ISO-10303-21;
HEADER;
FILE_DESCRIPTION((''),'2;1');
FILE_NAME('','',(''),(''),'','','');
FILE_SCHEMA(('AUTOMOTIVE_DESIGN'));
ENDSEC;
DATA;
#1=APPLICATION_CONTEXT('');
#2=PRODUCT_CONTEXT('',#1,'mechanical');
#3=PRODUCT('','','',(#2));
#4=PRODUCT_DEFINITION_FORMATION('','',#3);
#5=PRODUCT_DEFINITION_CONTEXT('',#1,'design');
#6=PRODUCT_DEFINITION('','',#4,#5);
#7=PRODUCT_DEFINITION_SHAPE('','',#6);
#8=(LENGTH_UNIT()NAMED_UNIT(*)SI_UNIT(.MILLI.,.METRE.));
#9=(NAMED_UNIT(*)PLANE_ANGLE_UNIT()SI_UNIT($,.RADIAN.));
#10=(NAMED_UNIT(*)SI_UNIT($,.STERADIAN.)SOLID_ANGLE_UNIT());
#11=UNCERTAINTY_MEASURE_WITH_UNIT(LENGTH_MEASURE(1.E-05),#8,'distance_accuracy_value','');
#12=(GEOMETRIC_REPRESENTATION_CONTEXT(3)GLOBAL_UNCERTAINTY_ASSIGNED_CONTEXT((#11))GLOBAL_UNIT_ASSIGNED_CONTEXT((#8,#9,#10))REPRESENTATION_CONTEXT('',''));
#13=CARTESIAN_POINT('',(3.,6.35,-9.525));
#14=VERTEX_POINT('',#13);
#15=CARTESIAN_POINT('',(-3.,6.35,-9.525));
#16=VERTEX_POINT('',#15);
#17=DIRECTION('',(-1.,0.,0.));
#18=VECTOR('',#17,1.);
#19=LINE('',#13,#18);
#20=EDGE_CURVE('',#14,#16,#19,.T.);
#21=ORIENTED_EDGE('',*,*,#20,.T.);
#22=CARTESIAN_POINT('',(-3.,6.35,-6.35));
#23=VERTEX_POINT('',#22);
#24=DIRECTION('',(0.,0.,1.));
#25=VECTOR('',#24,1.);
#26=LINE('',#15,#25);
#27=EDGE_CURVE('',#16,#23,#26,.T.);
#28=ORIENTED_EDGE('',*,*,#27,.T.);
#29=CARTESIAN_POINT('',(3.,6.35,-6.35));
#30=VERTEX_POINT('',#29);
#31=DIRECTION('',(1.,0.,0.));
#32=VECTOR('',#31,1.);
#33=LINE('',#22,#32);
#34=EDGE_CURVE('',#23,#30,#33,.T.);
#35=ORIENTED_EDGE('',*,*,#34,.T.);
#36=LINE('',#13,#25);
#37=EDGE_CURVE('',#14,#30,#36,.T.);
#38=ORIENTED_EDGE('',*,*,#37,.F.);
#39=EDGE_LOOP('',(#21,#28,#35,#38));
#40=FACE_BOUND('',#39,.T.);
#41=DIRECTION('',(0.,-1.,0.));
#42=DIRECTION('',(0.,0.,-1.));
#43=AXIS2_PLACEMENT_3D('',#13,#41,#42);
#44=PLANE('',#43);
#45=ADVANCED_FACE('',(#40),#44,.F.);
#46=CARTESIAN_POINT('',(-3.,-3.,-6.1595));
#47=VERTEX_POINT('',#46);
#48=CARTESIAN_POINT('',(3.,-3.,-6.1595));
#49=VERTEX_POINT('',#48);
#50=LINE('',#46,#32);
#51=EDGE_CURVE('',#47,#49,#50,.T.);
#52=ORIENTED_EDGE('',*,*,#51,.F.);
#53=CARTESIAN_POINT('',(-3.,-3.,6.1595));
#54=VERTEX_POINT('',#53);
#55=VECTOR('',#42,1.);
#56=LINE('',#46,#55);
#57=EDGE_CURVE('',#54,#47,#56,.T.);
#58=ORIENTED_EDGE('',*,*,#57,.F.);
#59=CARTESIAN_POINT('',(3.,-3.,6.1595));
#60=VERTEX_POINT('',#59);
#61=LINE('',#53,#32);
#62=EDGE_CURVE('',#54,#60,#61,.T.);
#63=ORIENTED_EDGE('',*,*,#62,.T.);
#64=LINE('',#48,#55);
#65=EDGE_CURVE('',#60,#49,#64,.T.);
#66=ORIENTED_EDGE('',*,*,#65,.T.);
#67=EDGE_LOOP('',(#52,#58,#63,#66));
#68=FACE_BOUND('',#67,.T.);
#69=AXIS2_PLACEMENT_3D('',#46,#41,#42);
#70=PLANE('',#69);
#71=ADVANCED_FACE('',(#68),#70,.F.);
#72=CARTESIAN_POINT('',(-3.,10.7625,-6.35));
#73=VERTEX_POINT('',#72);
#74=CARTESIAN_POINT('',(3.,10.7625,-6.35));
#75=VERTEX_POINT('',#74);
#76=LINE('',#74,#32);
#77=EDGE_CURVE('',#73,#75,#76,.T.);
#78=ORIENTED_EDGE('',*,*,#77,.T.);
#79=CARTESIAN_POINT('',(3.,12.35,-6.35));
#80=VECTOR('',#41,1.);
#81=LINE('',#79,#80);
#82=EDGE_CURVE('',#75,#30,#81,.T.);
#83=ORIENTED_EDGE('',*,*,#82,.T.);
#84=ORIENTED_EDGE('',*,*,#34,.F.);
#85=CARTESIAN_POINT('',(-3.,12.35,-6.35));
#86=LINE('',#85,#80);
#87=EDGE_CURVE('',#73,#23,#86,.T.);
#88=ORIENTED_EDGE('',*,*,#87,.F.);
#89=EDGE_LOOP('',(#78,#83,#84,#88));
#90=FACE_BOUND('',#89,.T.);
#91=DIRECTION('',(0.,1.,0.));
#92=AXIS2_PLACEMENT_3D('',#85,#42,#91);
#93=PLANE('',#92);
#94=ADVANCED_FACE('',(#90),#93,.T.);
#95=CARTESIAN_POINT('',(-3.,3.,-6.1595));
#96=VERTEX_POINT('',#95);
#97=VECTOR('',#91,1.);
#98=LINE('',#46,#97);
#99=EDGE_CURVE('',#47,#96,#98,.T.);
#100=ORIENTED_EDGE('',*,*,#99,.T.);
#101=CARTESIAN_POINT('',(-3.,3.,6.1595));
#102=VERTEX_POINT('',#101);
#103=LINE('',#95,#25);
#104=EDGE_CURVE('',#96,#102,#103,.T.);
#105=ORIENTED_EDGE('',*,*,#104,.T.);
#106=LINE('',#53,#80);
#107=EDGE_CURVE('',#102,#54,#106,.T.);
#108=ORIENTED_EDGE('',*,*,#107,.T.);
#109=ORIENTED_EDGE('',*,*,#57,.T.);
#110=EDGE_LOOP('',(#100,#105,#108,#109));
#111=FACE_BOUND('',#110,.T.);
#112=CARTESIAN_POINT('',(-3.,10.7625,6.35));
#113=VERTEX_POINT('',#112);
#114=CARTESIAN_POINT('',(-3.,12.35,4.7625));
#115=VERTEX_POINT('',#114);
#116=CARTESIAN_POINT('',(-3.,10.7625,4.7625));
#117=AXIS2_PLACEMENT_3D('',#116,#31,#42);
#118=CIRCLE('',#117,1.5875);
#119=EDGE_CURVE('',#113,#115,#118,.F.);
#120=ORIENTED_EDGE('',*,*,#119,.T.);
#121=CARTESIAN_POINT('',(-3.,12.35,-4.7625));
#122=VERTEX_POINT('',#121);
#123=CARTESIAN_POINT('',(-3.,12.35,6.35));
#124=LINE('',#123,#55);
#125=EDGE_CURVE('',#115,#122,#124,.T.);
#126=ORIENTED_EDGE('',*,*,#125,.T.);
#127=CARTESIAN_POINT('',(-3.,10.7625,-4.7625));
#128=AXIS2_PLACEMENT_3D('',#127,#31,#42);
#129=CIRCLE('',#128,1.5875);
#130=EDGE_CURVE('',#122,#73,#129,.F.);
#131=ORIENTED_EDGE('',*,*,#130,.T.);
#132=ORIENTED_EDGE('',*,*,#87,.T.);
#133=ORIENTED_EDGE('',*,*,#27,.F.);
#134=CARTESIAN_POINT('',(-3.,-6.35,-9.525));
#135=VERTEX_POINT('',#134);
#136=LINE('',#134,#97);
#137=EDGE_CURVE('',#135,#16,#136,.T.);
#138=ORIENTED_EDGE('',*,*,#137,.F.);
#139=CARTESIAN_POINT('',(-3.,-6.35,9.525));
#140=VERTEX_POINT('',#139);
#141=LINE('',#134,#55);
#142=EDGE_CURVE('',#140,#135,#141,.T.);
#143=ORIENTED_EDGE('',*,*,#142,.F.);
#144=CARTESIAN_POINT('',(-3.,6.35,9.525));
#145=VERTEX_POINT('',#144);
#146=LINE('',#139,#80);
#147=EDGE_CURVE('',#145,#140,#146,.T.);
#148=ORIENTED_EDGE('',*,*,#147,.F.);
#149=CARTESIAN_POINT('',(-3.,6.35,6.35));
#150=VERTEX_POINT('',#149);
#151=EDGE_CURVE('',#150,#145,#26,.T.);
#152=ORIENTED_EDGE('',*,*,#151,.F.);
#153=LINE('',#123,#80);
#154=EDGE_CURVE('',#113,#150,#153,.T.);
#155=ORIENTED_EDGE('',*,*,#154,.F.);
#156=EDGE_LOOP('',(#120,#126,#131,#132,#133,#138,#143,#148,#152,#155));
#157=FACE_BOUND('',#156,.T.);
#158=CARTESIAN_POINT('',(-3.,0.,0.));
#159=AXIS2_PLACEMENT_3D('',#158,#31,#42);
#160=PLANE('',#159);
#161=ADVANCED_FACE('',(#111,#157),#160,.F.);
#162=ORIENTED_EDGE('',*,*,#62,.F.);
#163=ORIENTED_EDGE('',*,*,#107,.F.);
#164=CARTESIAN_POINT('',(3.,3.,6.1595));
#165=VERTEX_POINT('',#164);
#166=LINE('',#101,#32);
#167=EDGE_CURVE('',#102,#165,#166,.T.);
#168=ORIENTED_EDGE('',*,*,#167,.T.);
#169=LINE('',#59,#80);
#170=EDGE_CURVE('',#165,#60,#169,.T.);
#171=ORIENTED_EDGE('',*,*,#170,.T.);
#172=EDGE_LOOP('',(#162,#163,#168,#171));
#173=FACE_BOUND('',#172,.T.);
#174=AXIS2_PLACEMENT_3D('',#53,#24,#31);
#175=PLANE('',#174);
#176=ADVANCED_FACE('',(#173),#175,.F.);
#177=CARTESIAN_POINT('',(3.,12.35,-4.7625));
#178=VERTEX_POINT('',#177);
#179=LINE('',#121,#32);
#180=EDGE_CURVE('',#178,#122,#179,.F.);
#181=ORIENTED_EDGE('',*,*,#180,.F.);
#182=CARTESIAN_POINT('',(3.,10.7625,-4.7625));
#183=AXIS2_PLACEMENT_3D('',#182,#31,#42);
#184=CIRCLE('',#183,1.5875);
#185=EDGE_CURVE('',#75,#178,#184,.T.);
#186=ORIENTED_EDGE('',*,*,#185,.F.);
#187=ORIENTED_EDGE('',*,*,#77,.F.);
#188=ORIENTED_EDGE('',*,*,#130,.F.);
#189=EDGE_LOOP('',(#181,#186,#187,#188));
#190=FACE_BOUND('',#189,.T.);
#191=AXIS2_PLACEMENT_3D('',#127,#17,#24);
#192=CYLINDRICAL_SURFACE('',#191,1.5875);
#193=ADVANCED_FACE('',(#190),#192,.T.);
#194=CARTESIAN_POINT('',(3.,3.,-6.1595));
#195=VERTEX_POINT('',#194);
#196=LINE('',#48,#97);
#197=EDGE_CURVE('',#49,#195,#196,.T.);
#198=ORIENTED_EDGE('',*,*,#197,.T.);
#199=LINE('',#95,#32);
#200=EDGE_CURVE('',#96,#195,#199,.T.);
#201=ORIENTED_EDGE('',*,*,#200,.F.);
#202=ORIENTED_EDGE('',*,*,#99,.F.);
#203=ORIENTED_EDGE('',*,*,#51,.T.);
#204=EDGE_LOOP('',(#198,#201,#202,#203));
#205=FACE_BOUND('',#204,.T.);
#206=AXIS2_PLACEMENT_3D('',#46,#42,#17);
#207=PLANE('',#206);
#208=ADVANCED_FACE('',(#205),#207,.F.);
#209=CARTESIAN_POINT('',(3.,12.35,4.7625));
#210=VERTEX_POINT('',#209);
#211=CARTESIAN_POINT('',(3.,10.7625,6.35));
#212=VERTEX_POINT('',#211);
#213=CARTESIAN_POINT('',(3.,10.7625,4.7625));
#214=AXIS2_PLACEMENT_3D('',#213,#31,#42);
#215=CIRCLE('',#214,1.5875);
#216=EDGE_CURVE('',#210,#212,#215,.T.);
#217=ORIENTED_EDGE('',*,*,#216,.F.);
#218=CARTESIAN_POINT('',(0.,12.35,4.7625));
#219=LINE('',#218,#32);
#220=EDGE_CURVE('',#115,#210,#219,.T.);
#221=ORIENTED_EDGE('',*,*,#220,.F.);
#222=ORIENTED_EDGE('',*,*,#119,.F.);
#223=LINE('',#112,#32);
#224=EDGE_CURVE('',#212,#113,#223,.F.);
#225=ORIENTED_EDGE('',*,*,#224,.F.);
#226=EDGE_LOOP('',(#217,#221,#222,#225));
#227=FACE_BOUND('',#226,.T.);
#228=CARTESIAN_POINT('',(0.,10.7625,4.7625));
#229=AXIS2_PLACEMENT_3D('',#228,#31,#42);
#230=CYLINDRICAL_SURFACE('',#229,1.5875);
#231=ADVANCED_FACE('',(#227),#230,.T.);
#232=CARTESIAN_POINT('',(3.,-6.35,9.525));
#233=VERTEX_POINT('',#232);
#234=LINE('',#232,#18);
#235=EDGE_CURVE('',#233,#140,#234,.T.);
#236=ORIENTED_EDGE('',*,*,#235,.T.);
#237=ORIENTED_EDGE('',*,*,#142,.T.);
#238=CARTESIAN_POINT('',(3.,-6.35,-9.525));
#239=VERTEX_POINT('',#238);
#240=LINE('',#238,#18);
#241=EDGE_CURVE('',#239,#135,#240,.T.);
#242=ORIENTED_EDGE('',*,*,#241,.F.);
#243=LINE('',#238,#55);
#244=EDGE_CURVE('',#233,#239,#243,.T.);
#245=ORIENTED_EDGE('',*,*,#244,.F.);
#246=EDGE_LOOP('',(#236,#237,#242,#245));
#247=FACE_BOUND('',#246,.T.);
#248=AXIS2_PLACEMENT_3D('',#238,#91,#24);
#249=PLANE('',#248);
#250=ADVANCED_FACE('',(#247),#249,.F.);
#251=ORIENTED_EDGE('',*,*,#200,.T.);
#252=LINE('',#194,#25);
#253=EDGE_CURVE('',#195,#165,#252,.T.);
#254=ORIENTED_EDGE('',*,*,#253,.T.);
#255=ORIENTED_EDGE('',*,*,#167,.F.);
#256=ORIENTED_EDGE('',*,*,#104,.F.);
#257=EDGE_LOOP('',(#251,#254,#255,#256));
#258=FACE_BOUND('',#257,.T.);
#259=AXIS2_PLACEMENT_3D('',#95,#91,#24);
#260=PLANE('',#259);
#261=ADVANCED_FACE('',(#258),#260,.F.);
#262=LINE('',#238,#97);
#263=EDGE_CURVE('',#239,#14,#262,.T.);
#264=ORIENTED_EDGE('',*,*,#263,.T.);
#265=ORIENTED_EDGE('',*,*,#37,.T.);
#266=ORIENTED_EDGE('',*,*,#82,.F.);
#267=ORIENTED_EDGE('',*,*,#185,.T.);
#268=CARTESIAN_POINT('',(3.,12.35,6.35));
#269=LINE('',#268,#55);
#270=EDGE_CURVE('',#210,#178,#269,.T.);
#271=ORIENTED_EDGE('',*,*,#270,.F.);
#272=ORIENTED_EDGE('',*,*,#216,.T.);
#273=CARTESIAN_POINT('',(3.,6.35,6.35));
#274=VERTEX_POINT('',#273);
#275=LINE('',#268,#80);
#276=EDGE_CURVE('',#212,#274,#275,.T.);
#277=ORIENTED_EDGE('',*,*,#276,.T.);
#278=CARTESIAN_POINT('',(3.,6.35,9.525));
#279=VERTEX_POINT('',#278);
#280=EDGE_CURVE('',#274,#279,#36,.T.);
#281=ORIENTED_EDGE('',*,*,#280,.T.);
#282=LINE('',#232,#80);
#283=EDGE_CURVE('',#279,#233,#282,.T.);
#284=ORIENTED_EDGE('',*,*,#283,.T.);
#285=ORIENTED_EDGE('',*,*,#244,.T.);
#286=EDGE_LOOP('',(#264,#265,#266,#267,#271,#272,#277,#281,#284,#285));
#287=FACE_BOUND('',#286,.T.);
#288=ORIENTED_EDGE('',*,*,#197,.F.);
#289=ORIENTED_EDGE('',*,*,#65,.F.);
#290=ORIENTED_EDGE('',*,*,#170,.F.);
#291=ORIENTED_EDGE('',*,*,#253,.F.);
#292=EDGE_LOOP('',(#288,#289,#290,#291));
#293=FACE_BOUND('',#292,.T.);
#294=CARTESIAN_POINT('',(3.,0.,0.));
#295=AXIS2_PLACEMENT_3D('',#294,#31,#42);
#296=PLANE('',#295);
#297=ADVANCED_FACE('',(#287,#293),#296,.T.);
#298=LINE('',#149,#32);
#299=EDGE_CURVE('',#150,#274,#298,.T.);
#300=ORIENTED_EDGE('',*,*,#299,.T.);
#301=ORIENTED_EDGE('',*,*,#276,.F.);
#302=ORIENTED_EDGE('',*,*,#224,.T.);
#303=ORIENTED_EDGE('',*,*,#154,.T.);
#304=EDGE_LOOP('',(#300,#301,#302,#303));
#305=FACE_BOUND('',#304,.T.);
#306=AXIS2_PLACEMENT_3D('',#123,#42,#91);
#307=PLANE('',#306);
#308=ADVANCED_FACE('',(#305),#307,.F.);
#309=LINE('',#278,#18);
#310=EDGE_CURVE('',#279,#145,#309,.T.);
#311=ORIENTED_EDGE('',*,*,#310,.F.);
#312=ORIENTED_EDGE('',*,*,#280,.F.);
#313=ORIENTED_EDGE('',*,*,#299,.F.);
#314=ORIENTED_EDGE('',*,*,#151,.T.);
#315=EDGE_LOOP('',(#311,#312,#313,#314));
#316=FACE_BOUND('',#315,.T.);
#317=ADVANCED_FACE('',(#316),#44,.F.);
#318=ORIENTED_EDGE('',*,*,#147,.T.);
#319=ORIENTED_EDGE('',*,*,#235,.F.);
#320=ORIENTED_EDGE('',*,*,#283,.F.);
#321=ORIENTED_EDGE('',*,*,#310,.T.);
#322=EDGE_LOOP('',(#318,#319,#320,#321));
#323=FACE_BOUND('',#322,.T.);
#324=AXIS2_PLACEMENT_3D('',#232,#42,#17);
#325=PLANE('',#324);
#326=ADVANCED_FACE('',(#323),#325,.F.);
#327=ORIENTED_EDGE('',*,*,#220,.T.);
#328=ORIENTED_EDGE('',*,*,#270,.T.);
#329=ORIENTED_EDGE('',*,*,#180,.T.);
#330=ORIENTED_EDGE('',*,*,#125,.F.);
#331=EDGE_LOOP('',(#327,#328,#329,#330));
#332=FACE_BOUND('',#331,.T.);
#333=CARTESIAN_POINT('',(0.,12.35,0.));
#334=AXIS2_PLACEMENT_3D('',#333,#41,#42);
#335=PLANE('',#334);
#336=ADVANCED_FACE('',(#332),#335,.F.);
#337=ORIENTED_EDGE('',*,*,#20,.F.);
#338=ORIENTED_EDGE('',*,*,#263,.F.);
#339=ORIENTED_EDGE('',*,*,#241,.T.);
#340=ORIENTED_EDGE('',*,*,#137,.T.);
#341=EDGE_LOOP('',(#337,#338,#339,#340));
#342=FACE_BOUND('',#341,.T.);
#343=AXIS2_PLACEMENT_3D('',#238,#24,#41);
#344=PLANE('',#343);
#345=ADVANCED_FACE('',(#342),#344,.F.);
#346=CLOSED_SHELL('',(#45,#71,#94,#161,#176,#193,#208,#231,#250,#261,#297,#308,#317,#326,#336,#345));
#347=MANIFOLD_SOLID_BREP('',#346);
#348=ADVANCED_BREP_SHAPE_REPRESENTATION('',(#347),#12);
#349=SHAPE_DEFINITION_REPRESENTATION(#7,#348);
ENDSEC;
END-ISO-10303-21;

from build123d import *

# Parameters (mm, degrees)
SKETCH1_W           = 19.05
SKETCH1_H           = 12.7
BOSS_EXTRUDE1_DEPTH = 3
SKETCH2_W           = 6
SKETCH2_H           = 12.7
BOSS_EXTRUDE2_DEPTH = 6
SKETCH3_W           = 12.319
SKETCH3_H           = 5.999999938
CUT_EXTRUDE1_DEPTH  = 17.710718865
FILLET1_R           = 1.5875


with BuildPart() as part:
    # Sketch1 → Boss-Extrude1 (new, symmetric)
    with BuildSketch(Plane(origin=(0, 0, 0), x_dir=(0, 0, -1), z_dir=(1, 0, 0))):
        Rectangle(SKETCH1_W, SKETCH1_H)
    extrude(amount=BOSS_EXTRUDE1_DEPTH, both=True)

    # Sketch2 → Boss-Extrude2 (add)
    with BuildSketch(Plane(origin=(0, 6.35, 0), x_dir=(1, 0, 0), z_dir=(0, 1, 0))):
        Rectangle(SKETCH2_W, SKETCH2_H)
    extrude(amount=BOSS_EXTRUDE2_DEPTH)

    # Sketch3 → Cut-Extrude1 (cut, through all)
    with BuildSketch(Plane(origin=(3, 0, 0), x_dir=(0, 0, -1), z_dir=(1, 0, 0))):
        Rectangle(SKETCH3_W, SKETCH3_H)
    extrude(amount=-CUT_EXTRUDE1_DEPTH, mode=Mode.SUBTRACT)

    # Fillet1
    fillet1_edges = [part.edges().sort_by_distance(p)[0] for p in [
        (0, 12.35, -6.35),
        (0, 12.35, 6.35),
    ]]
    fillet(fillet1_edges, radius=FILLET1_R)


solid = part.part
